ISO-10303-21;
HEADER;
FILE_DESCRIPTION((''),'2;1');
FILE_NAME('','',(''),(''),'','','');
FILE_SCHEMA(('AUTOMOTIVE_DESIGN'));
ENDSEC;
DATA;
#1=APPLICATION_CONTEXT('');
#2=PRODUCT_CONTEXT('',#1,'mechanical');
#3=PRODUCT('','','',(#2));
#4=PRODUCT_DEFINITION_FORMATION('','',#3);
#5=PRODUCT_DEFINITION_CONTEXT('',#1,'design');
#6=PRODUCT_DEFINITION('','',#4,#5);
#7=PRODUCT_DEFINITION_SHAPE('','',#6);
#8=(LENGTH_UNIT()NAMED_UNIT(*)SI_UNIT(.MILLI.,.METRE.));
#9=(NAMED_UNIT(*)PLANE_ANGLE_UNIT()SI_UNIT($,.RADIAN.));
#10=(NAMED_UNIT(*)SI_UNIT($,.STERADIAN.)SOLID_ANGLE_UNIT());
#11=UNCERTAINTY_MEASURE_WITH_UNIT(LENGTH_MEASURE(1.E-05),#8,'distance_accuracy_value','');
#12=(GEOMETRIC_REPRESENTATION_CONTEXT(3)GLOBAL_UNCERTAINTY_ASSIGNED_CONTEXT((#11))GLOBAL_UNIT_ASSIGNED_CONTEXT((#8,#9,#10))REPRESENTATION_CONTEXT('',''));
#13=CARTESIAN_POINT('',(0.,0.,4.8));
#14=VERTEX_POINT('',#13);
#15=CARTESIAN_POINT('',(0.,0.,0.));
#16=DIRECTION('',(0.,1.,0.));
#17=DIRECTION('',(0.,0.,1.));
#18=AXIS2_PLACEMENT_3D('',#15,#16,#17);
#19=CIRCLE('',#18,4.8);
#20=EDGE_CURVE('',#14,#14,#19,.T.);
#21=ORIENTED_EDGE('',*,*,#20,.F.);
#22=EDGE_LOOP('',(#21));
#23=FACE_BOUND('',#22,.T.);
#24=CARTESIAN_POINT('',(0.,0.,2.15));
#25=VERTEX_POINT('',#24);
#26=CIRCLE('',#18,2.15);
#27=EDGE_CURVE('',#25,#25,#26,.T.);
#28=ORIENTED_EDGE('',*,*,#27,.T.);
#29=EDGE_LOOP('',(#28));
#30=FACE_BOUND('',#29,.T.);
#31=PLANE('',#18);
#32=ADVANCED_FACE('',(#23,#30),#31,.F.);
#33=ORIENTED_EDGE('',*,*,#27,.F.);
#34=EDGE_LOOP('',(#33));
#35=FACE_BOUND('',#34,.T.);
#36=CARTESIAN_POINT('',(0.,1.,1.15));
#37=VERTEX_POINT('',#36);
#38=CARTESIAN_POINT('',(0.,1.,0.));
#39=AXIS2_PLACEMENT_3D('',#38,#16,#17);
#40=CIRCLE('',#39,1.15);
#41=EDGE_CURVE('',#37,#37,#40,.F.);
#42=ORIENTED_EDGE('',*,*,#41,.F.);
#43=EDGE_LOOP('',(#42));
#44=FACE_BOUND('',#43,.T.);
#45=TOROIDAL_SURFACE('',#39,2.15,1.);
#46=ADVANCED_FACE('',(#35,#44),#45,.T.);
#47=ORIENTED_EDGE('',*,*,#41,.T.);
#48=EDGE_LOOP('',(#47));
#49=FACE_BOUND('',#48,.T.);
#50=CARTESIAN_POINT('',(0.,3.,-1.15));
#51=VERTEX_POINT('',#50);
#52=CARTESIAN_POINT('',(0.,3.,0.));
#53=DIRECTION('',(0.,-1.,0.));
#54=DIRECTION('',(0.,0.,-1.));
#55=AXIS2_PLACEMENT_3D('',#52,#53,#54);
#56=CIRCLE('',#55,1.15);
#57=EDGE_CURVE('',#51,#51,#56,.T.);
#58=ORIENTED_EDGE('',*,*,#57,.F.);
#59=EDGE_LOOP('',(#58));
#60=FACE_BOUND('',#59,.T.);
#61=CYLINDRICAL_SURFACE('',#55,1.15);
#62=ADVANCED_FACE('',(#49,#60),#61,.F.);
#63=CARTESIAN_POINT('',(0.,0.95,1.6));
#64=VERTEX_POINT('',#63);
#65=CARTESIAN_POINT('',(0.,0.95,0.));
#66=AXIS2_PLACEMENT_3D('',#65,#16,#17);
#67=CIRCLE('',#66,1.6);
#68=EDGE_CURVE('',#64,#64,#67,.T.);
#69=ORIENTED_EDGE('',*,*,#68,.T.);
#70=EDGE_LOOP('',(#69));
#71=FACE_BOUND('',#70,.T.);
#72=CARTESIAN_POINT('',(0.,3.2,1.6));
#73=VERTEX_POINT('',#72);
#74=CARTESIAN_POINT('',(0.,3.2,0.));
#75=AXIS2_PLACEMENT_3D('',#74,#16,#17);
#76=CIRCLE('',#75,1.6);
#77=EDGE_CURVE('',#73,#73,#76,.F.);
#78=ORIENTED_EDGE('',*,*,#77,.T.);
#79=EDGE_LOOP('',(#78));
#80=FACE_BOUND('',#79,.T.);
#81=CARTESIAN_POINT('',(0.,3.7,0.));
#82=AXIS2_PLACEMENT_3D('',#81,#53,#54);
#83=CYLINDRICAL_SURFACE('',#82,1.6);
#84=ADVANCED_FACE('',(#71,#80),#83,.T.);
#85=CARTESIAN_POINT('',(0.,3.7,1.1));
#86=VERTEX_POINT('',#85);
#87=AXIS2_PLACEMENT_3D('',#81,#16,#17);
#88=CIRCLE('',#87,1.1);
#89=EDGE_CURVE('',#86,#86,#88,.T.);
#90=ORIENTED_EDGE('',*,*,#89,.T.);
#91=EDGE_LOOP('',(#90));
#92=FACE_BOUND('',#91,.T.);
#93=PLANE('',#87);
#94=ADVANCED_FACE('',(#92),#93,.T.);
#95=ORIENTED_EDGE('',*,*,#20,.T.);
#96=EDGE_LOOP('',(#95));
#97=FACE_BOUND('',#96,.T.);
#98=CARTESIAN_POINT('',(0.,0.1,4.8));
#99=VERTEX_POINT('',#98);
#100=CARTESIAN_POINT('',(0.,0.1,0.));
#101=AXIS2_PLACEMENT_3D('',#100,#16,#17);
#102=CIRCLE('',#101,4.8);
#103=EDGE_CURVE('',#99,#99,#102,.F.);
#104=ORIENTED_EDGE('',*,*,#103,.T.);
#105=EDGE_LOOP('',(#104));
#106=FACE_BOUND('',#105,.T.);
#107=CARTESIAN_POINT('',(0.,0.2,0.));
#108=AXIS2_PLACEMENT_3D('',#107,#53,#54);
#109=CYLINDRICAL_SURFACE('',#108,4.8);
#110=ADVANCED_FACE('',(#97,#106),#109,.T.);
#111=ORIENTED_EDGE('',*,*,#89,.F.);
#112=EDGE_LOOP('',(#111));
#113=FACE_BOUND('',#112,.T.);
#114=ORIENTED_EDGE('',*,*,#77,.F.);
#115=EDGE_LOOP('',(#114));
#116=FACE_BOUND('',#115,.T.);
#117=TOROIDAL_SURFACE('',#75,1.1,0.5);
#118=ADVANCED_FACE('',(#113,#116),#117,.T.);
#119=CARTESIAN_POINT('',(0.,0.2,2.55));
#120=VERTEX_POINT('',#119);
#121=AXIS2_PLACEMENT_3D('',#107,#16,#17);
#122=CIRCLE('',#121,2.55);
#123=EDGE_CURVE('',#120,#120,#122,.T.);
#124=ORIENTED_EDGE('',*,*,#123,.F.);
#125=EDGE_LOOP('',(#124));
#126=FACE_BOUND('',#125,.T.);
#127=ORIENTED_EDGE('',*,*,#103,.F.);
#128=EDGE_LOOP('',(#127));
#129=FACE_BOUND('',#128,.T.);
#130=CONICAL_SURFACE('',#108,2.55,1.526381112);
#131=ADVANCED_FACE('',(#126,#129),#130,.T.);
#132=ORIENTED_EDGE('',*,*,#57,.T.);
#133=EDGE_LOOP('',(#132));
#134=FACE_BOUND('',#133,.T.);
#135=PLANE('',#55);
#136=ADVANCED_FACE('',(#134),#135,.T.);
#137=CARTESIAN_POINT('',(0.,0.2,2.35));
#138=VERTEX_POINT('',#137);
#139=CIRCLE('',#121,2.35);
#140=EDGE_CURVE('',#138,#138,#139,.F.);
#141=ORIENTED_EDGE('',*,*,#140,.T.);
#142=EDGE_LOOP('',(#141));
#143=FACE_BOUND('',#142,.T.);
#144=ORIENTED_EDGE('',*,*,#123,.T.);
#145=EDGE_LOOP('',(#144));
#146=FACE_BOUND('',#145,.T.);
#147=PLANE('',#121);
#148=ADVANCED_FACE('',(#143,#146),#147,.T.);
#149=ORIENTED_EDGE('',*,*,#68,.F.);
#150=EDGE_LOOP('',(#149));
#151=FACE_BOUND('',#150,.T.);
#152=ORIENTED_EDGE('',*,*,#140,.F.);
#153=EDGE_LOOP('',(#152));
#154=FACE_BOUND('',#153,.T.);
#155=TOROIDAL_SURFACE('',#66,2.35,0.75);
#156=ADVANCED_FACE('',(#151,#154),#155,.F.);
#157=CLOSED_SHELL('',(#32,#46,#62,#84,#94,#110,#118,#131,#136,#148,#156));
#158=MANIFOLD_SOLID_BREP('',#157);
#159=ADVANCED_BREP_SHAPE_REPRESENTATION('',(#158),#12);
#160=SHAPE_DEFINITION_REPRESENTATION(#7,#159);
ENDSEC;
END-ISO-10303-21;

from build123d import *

# Parameters (mm, degrees)
CROQUIS1_R              = 4.8
SALIENTE_EXTRUIR1_DEPTH = 0.2
CROQUIS2_R              = 1.6
SALIENTE_EXTRUIR2_DEPTH = 3.5
REDONDEO1_R             = 0.5
REDONDEO2_R             = 0.75
CROQUIS3_R              = 1.15
CORTAR_EXTRUIR1_DEPTH   = 3
REDONDEO3_R             = 1
CHAFL_N1_SIZE           = 0.1
CHAFL_N1_SIZE2          = 2.25


with BuildPart() as part:
    # Croquis1 → Saliente-Extruir1 (new body)
    with BuildSketch(Plane(origin=(0, 0, 0), x_dir=(1, 0, 0), z_dir=(0, 1, 0))):
        with Locations(Location((0, 0, 0), (0, 0, 270))):
            Circle(CROQUIS1_R)
    extrude(amount=SALIENTE_EXTRUIR1_DEPTH)

    # Croquis2 → Saliente-Extruir2 (add)
    with BuildSketch(Plane(origin=(0, 0.2, 0), x_dir=(1, 0, 0), z_dir=(0, 1, 0))):
        with Locations(Location((0, 0, 0), (0, 0, 270))):
            Circle(CROQUIS2_R)
    extrude(amount=SALIENTE_EXTRUIR2_DEPTH)

    # Redondeo1
    redondeo1_edges = [part.edges().sort_by_distance(p)[0] for p in [
        (0, 3.7, -1.6),
    ]]
    fillet(redondeo1_edges, radius=REDONDEO1_R)

    # Redondeo2
    redondeo2_edges = [part.edges().sort_by_distance(p)[0] for p in [
        (0, 0.2, -1.6),
    ]]
    fillet(redondeo2_edges, radius=REDONDEO2_R)

    # Croquis3 → Cortar-Extruir1 (cut)
    with BuildSketch(Plane.XZ):
        with Locations(Location((0, 0, 0), (0, 0, 270))):
            Circle(CROQUIS3_R)
    extrude(amount=-CORTAR_EXTRUIR1_DEPTH, mode=Mode.SUBTRACT)

    # Redondeo3
    redondeo3_edges = [part.edges().sort_by_distance(p)[0] for p in [
        (0, 0, 1.15),
    ]]
    fillet(redondeo3_edges, radius=REDONDEO3_R)

    # Chaflán1
    chafl_n1_edges = [part.edges().sort_by_distance(p)[0] for p in [
        (0, 0.2, -4.8),
    ]]
    chafl_n1_side = [part.faces().sort_by_distance(p)[0] for p in [
        (0, 0.1, -4.8),
    ]]
    chamfer(chafl_n1_edges, length=CHAFL_N1_SIZE, length2=CHAFL_N1_SIZE2, reference=chafl_n1_side[0])


solid = part.part
